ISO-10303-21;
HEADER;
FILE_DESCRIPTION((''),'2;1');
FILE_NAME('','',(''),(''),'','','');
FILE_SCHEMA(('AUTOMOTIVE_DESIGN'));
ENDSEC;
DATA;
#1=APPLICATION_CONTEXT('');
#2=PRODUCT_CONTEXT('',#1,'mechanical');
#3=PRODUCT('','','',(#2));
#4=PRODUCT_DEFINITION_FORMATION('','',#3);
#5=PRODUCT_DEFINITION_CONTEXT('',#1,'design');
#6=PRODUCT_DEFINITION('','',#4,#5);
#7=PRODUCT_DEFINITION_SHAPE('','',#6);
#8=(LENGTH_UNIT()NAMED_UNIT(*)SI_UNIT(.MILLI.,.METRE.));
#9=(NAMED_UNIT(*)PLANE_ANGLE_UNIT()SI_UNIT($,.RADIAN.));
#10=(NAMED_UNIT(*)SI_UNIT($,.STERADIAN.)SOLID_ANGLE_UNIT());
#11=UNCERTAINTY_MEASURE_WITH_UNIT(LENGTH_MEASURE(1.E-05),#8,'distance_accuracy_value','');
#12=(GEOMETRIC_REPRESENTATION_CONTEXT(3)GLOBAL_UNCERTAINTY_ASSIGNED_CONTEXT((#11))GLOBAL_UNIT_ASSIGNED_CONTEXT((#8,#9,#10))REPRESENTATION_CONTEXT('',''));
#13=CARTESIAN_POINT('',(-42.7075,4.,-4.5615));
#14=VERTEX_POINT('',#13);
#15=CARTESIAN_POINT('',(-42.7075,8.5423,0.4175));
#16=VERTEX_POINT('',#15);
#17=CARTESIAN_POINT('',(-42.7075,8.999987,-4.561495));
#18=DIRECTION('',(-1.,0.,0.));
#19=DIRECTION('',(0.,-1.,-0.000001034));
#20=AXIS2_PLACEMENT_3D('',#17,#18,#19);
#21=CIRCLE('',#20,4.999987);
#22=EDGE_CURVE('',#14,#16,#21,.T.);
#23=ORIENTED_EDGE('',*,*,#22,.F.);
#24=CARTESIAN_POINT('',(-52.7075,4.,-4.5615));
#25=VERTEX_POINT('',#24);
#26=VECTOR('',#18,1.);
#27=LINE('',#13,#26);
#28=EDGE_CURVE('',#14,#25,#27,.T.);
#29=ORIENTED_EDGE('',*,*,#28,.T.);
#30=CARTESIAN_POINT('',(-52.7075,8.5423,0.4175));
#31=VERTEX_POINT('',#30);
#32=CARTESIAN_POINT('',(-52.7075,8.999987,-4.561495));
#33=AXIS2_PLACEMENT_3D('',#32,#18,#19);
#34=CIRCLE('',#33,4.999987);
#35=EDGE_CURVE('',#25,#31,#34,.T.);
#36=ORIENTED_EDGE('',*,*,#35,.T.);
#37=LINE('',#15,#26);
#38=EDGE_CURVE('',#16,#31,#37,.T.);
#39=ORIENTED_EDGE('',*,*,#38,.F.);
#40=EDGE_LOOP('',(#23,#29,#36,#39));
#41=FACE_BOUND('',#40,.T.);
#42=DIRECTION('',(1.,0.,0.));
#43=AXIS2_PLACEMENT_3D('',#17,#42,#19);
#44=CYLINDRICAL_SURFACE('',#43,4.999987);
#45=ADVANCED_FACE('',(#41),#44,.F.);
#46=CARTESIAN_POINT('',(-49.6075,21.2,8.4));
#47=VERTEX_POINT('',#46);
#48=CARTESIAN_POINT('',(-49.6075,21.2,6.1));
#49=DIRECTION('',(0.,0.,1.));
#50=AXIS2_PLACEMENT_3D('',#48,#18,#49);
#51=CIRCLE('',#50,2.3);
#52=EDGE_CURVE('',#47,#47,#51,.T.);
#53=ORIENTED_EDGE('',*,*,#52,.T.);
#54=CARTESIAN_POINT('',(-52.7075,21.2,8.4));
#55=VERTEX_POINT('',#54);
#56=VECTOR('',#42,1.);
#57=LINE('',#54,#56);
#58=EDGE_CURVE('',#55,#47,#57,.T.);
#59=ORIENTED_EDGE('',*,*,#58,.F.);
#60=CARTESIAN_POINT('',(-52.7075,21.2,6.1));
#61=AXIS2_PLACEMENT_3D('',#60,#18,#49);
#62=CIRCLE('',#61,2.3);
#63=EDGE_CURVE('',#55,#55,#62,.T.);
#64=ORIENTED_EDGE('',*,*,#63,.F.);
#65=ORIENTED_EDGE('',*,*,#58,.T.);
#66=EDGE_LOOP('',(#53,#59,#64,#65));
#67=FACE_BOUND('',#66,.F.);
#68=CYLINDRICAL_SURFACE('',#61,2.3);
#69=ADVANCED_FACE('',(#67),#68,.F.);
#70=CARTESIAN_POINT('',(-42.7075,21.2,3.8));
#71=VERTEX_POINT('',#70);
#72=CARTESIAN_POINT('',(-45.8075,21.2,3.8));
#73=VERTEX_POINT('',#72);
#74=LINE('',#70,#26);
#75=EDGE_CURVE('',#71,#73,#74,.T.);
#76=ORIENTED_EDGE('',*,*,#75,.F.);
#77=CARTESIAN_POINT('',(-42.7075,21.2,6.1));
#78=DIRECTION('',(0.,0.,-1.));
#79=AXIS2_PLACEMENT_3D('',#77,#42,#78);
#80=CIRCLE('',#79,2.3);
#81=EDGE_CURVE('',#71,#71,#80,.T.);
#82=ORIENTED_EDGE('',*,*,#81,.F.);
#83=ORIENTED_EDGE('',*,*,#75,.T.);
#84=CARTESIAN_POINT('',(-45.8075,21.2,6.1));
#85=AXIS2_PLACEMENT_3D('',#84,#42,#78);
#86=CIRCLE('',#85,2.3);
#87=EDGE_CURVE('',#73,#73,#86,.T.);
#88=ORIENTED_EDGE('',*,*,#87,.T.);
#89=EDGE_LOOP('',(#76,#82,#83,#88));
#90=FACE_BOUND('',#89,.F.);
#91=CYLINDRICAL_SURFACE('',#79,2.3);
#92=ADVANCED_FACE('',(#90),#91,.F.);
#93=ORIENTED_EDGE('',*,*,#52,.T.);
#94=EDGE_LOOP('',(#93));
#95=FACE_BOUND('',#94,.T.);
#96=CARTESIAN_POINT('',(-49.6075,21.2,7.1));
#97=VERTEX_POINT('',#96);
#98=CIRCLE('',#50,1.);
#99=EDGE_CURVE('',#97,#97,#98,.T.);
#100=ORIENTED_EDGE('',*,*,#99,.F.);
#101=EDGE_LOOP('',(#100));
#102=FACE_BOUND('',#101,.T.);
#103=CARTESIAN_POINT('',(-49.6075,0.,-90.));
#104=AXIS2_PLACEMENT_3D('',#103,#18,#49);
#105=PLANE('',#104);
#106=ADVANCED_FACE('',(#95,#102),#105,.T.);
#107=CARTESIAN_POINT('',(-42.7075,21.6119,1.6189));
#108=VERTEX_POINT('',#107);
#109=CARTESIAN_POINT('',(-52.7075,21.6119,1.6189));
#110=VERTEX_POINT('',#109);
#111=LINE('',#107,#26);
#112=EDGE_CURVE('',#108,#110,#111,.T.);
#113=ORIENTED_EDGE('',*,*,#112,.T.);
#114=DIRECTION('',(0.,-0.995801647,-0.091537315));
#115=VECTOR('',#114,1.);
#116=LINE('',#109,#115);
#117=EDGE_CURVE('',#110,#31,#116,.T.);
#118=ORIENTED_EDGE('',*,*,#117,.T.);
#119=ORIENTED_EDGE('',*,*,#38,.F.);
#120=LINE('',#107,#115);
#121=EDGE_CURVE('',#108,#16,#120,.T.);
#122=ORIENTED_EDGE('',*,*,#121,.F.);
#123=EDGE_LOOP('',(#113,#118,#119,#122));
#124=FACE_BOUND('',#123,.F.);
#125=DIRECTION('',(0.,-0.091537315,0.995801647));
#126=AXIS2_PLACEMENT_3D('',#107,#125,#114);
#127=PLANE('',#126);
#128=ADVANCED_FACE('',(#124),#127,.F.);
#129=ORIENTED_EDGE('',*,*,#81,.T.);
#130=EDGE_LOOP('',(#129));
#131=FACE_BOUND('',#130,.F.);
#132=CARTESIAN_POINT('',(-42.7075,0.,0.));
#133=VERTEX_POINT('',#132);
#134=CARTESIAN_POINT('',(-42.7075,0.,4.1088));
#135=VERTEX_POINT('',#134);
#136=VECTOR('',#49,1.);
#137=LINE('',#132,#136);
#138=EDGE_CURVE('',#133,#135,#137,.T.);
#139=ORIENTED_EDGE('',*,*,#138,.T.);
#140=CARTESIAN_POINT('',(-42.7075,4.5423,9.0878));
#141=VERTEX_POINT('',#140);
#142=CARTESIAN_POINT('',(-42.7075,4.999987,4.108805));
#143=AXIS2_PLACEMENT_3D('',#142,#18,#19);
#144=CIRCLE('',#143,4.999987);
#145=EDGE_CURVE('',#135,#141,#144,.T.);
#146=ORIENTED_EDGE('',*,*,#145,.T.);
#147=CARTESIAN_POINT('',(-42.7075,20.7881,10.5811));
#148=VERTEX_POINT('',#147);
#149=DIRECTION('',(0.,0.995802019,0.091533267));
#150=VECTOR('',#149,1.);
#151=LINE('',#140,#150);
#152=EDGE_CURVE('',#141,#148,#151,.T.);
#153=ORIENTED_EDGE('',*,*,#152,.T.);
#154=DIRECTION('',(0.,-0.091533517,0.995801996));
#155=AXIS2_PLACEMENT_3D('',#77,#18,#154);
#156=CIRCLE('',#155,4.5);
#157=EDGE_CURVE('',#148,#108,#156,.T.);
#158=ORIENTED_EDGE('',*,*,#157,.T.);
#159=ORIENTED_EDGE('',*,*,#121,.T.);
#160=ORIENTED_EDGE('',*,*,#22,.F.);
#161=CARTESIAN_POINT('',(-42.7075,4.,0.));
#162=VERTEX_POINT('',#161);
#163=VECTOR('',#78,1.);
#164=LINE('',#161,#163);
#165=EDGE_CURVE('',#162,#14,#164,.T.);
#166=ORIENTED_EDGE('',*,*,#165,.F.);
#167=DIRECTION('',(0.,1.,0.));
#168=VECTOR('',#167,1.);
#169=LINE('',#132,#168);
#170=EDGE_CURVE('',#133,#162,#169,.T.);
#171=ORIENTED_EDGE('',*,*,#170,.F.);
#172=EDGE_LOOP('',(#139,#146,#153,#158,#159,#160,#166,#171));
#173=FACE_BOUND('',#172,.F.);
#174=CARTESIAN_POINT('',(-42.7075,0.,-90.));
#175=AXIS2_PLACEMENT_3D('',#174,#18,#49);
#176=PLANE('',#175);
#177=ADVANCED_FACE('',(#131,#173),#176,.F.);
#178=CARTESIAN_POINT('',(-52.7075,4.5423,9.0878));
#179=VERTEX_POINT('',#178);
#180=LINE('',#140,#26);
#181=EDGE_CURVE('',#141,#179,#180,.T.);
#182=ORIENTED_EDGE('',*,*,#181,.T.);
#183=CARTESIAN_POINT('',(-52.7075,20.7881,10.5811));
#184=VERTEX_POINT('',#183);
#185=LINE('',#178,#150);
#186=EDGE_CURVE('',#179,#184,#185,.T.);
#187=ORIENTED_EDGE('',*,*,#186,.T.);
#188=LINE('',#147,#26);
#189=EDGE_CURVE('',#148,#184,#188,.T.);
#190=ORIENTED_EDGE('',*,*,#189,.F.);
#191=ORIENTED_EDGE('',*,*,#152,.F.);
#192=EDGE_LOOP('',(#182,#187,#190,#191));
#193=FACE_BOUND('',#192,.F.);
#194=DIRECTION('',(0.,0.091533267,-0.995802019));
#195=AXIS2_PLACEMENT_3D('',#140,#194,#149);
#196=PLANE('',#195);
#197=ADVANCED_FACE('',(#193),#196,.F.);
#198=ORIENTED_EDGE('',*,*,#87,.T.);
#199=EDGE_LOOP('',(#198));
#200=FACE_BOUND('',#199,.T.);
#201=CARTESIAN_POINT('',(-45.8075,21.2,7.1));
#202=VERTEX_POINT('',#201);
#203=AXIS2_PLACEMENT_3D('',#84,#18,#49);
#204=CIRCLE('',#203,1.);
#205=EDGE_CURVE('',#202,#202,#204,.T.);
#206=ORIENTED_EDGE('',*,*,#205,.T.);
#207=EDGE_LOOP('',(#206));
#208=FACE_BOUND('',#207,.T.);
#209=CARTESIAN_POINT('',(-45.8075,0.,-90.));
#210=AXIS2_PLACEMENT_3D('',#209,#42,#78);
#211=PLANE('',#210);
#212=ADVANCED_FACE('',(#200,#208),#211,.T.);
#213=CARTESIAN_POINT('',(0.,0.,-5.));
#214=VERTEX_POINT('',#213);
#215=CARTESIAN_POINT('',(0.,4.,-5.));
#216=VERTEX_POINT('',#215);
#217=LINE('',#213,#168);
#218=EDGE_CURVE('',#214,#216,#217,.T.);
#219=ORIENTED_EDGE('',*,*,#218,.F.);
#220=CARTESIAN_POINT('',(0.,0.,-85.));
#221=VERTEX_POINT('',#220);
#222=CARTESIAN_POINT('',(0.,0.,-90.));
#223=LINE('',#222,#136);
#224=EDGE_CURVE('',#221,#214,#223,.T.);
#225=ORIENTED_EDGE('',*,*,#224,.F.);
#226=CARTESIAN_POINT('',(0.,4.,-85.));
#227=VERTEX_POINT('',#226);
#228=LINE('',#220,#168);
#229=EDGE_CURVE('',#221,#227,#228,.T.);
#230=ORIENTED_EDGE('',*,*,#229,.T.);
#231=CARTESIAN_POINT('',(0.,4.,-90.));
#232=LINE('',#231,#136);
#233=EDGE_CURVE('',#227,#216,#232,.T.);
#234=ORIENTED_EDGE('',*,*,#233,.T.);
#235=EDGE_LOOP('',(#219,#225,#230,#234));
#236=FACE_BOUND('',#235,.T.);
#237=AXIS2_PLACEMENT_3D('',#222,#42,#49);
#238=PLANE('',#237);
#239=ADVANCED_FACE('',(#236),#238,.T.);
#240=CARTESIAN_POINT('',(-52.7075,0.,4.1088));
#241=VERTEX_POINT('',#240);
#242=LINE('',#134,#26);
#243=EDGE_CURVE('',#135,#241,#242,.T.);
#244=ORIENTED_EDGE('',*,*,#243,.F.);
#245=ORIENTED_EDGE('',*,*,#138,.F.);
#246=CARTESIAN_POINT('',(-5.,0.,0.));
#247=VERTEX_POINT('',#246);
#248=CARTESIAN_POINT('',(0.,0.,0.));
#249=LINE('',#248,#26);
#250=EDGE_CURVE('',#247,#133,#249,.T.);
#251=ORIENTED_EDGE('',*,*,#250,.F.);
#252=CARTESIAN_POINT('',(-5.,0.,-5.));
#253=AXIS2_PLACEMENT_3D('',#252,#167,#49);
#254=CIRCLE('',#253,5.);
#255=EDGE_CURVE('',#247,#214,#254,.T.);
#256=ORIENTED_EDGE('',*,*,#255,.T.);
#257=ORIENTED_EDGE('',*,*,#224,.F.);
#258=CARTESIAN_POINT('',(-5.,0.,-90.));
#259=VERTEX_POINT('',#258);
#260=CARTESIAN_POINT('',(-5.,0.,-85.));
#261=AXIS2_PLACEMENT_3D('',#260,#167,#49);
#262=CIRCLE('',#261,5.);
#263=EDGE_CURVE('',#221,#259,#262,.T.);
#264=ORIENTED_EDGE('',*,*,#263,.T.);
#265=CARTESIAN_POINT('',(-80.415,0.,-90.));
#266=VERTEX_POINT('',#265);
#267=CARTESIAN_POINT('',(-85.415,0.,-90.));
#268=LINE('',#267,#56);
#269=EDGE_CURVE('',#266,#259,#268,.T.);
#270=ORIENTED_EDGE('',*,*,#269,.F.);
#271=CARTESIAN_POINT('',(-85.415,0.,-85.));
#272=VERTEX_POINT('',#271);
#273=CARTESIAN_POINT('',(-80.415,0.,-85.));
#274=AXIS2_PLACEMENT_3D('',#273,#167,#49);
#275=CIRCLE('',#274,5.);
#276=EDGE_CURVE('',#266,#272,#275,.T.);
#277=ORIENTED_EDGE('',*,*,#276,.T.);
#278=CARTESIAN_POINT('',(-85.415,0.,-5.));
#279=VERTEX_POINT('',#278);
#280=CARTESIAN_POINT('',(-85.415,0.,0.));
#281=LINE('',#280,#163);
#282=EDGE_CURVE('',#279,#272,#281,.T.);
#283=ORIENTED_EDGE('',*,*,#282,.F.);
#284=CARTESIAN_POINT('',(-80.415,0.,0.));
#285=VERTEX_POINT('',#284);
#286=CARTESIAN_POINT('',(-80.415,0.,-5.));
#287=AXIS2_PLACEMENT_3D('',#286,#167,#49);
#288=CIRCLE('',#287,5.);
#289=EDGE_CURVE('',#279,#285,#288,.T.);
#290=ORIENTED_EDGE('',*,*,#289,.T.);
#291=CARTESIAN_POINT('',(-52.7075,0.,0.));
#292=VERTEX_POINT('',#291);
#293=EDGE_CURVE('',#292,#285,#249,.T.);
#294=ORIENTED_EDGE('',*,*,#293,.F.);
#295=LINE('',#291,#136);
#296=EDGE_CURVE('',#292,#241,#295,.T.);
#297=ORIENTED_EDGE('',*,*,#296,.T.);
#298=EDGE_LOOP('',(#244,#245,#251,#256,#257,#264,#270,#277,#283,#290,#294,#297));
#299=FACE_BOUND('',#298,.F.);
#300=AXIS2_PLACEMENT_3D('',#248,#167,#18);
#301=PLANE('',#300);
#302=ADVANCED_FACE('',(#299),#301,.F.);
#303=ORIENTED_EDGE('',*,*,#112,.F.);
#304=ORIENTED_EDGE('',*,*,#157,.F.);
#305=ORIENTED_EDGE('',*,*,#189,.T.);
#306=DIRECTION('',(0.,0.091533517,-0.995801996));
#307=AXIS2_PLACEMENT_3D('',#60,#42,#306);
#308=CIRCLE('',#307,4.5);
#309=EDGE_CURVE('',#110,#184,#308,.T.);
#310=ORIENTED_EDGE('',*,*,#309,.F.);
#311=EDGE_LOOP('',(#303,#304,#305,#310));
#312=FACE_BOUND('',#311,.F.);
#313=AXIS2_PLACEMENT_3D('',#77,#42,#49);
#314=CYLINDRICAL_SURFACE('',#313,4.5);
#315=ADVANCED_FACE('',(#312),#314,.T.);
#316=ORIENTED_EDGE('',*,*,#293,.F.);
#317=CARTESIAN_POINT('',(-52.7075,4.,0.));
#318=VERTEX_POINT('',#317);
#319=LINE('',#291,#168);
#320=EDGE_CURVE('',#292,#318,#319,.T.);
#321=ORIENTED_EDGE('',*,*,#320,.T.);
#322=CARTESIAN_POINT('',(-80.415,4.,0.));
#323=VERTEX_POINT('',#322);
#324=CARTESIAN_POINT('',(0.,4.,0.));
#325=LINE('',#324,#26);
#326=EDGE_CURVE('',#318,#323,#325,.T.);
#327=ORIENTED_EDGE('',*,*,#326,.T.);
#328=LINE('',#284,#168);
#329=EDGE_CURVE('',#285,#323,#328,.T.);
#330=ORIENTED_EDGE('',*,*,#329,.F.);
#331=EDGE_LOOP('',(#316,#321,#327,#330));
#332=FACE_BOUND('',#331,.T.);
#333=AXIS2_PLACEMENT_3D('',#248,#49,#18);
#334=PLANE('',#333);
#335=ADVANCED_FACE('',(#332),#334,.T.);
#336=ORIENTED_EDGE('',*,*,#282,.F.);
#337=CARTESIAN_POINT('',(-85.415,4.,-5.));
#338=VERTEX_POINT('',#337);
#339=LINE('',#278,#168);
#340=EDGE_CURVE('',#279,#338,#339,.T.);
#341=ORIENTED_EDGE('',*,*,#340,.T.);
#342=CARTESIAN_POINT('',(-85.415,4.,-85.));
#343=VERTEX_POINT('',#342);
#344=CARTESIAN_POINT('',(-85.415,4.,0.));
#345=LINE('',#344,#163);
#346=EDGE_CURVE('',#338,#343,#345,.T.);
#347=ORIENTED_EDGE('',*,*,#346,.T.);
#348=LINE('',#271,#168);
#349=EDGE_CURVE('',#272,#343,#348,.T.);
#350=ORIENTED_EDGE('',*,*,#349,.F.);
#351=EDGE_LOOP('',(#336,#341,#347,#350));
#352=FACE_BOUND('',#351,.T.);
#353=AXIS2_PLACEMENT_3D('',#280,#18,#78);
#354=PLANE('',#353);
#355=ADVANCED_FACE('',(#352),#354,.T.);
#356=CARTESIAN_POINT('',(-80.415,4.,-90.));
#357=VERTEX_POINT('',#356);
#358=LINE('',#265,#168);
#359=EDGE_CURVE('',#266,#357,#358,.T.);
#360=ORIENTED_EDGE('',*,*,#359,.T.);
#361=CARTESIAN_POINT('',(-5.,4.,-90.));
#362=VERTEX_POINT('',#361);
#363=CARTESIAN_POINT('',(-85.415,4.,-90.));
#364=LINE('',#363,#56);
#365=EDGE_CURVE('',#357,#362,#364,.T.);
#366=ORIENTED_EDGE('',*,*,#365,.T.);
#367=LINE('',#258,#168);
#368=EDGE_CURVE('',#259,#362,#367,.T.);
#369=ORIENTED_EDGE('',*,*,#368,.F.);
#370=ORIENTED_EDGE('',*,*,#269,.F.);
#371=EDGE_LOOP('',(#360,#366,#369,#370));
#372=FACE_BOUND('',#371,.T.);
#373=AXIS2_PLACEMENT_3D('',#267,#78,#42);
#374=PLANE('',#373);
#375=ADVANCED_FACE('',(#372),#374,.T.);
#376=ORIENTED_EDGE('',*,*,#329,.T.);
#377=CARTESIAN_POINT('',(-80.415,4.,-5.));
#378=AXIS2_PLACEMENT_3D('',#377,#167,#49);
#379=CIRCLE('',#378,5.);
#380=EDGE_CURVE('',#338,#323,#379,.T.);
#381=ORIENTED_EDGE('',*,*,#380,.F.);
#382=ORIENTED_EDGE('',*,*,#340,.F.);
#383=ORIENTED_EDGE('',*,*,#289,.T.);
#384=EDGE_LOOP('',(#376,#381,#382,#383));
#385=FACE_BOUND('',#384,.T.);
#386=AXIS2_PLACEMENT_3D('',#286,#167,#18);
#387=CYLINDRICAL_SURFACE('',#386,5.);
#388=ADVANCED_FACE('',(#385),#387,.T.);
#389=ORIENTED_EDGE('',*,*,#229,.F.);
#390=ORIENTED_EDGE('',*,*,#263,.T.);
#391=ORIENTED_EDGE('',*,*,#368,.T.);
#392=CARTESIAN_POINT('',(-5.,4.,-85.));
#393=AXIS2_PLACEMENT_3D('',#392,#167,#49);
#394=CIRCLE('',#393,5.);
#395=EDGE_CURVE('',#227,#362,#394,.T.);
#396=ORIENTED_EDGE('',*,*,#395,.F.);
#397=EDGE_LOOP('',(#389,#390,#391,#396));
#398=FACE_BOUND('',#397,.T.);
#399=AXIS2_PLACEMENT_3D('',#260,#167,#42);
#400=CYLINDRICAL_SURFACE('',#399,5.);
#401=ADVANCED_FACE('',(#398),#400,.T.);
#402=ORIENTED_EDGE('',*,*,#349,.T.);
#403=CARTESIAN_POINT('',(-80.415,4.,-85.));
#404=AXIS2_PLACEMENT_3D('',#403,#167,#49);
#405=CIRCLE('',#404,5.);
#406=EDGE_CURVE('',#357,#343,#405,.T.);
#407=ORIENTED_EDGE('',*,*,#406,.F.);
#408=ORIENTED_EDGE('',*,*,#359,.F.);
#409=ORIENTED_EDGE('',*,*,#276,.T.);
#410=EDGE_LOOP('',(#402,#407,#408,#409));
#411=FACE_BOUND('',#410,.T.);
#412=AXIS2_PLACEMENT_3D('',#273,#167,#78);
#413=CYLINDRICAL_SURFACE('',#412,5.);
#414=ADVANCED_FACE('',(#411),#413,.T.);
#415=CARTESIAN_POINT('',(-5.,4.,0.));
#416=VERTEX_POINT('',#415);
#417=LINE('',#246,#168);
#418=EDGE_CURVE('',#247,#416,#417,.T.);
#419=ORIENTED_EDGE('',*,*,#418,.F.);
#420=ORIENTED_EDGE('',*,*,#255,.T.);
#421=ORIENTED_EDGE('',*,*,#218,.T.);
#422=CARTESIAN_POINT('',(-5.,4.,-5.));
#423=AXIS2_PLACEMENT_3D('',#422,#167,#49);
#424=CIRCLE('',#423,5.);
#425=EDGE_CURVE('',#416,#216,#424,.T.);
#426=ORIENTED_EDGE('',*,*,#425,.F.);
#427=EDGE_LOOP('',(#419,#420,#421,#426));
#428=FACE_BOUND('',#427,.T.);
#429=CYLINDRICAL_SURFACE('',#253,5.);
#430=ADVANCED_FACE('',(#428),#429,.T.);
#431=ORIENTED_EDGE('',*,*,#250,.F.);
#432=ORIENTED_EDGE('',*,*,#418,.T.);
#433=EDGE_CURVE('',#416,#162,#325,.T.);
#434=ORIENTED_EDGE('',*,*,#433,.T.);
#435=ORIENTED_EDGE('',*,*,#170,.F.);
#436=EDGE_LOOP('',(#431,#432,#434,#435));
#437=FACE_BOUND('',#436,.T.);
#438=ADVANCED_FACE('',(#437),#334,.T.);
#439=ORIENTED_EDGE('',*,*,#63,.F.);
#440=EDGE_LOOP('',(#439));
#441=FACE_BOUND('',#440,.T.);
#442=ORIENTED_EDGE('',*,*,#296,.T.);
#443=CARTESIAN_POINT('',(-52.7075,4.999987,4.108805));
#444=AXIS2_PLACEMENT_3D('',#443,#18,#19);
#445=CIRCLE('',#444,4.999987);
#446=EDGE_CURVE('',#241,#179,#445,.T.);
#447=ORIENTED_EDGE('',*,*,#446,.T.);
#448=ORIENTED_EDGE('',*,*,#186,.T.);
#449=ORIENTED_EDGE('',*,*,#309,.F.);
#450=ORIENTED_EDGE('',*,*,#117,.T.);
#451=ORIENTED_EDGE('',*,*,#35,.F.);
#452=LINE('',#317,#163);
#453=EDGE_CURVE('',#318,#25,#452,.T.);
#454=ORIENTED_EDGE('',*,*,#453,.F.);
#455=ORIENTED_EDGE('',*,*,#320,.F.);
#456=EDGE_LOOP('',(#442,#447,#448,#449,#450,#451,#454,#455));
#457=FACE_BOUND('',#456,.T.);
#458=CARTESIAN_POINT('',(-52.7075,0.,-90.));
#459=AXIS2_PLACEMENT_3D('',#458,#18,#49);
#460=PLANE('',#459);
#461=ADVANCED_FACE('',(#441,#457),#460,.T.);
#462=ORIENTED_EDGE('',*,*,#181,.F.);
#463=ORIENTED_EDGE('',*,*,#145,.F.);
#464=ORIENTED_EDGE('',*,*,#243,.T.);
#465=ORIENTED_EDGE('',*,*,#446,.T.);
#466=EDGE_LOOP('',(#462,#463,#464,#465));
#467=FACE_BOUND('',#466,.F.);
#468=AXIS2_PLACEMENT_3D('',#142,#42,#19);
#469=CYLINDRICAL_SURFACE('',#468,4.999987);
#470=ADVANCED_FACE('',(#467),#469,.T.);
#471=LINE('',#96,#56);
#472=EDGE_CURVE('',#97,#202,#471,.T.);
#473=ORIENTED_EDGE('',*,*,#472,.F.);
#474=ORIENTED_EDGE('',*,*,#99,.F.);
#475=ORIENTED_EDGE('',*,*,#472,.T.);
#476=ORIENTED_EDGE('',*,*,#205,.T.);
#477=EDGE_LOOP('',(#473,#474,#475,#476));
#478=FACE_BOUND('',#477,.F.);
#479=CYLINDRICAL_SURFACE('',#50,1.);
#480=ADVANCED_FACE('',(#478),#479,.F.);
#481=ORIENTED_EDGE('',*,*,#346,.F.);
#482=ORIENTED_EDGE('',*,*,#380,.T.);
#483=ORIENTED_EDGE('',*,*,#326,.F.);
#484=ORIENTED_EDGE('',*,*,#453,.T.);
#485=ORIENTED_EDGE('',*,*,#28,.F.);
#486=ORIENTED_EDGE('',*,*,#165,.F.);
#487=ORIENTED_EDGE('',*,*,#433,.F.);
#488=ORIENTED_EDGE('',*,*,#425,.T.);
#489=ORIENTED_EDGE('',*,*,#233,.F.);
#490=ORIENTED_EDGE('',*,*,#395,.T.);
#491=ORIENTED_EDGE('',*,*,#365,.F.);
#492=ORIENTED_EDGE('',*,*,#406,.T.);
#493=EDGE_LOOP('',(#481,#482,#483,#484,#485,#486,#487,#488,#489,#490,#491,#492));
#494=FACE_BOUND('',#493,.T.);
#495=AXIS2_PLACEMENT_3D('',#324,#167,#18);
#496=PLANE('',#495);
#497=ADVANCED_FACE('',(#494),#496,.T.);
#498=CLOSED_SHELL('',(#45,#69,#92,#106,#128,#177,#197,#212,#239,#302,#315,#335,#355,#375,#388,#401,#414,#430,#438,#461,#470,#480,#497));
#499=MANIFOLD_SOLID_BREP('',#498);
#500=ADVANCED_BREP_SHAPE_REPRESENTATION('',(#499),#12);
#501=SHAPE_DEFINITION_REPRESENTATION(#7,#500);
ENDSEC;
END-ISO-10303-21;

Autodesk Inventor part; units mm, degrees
ref_plane "YZ Plane" through (0, 0, 0) normal (1, 0, 0) x (0, 1, 0)
sketch "Sketch1" plane through (0, 0, 0) normal (0, 1, 0) x (-1, 0, 0)
  line L0 (0, 0) -> (85.415, 0)
  line L1 (85.415, 0) -> (85.415, -90)
  line L2 (85.415, -90) -> (0, -90)
  line L3 (0, -90) -> (0, 0)
  dimension "d0" = 85.415
  dimension "d1" = 90
extrude "Extrusion1" add sketch "Sketch1" along normal blind 4
ref_plane "Work Plane1" through (-42.7075, 0, 0) normal (1, 0, 0) x (0, 0, -1)
ref_plane "Work Plane2" through (-42.7075, 0, -90) normal (-1, 0, 0) x (0, 0, 1)
sketch "Sketch5" plane through (-42.7075, 0, -90) normal (-1, 0, 0) x (0, 0, 1)
  line L0 (90, 0) -> (90, 4) construction
  line L1 (90, 4) -> (96.1, 4) construction
  line L2 (96.1, 4) -> (96.1, 21.2) construction
  line L3 (96.1, 21.2) -> (90, 21.2) construction
  line L4 (90, 21.2) -> (90, 4) construction
  circle A0 centre (96.1, 21.2) radius 4.5
  line L5 (90, 0) -> (0, 0) projected
  line L6 (0, 0) -> (0, 4) projected
  line L7 (90, 4) -> (0, 4) projected
  line L8 (90, 0) -> (90, 4) projected
  line L9 (91.6189, 21.6119) -> (90.4175, 8.5423)
  line L10 (99.0878, 4.5423) -> (100.5811, 20.7881)
  line L11 (90, 0) -> (90, 4) projected
  line L12 (90, 0) -> (94.1088, 0)
  line L13 (85.4385, 4) -> (75.881, 4)
  line L14 (90, 4) -> (0, 4) projected
  arc A1 (85.4385, 4) -> (90.4175, 8.5423) centre (85.4385, 9) ccw
  arc A2 (94.1088, 0) -> (99.0878, 4.5423) centre (94.1088, 5) ccw
  point P0 (92.3607, 23.7035)
  dimension "d14" = 6.1
  dimension "d15" = 17.2
  dimension "d16" = 9
  dimension "d29" = 5
extrude "Extrusion4" add sketch "Sketch5" along normal blind 10 contours A0 | A0 L10 A2 L12 L8 L7 A1 L9
sketch "Sketch6" plane through (-42.7075, 0, -90) normal (1, 0, 0) x (0, 0, -1)
  arc A0 (-91.6189, 21.6119) -> (-100.5811, 20.7881) centre (-96.1, 21.2) ccw projected
  circle A1 centre (-96.1, 21.2) radius 2.3
  point P0 (-90, 0)
  point P1 (-99.8393, 18.6965)
  point P2 (-92.3607, 23.7035)
  dimension "d19" = 4.6
extrude "Extrusion5" cut sketch "Sketch6" against normal blind 3.1
sketch "Sketch7" plane through (-52.7075, 0, -90) normal (-1, 0, 0) x (0, 0, 1)
  arc A0 (100.5811, 20.7881) -> (91.6189, 21.6119) centre (96.1, 21.2) ccw projected
  circle A1 centre (96.1, 21.2) radius 2.3
  point P0 (90, 0)
  point P1 (99.8393, 18.6965)
  point P2 (92.3607, 23.7035)
  dimension "d22" = 4.6
extrude "Extrusion6" cut sketch "Sketch7" against normal blind 3.1
sketch "Sketch8" plane through (-49.6075, 21.2, 6.1) normal (-1, 0, 0) x (0, 0, 1)
  circle A0 centre (0, 0) radius 2.3 projected
  circle A1 centre (0, 0) radius 1
  point P0 (-6.1, -21.2)
  dimension "d25" = 2
extrude "Extrusion7" cut sketch "Sketch8" against normal through all contours A1
fillet "Fillet2" radius 5 4 edges at (-85.415, 2, 0) (0, 2, 0) (0, 2, -90) (-85.415, 2, -90)
properties part number "Tapas" material "ABS Plastic"
